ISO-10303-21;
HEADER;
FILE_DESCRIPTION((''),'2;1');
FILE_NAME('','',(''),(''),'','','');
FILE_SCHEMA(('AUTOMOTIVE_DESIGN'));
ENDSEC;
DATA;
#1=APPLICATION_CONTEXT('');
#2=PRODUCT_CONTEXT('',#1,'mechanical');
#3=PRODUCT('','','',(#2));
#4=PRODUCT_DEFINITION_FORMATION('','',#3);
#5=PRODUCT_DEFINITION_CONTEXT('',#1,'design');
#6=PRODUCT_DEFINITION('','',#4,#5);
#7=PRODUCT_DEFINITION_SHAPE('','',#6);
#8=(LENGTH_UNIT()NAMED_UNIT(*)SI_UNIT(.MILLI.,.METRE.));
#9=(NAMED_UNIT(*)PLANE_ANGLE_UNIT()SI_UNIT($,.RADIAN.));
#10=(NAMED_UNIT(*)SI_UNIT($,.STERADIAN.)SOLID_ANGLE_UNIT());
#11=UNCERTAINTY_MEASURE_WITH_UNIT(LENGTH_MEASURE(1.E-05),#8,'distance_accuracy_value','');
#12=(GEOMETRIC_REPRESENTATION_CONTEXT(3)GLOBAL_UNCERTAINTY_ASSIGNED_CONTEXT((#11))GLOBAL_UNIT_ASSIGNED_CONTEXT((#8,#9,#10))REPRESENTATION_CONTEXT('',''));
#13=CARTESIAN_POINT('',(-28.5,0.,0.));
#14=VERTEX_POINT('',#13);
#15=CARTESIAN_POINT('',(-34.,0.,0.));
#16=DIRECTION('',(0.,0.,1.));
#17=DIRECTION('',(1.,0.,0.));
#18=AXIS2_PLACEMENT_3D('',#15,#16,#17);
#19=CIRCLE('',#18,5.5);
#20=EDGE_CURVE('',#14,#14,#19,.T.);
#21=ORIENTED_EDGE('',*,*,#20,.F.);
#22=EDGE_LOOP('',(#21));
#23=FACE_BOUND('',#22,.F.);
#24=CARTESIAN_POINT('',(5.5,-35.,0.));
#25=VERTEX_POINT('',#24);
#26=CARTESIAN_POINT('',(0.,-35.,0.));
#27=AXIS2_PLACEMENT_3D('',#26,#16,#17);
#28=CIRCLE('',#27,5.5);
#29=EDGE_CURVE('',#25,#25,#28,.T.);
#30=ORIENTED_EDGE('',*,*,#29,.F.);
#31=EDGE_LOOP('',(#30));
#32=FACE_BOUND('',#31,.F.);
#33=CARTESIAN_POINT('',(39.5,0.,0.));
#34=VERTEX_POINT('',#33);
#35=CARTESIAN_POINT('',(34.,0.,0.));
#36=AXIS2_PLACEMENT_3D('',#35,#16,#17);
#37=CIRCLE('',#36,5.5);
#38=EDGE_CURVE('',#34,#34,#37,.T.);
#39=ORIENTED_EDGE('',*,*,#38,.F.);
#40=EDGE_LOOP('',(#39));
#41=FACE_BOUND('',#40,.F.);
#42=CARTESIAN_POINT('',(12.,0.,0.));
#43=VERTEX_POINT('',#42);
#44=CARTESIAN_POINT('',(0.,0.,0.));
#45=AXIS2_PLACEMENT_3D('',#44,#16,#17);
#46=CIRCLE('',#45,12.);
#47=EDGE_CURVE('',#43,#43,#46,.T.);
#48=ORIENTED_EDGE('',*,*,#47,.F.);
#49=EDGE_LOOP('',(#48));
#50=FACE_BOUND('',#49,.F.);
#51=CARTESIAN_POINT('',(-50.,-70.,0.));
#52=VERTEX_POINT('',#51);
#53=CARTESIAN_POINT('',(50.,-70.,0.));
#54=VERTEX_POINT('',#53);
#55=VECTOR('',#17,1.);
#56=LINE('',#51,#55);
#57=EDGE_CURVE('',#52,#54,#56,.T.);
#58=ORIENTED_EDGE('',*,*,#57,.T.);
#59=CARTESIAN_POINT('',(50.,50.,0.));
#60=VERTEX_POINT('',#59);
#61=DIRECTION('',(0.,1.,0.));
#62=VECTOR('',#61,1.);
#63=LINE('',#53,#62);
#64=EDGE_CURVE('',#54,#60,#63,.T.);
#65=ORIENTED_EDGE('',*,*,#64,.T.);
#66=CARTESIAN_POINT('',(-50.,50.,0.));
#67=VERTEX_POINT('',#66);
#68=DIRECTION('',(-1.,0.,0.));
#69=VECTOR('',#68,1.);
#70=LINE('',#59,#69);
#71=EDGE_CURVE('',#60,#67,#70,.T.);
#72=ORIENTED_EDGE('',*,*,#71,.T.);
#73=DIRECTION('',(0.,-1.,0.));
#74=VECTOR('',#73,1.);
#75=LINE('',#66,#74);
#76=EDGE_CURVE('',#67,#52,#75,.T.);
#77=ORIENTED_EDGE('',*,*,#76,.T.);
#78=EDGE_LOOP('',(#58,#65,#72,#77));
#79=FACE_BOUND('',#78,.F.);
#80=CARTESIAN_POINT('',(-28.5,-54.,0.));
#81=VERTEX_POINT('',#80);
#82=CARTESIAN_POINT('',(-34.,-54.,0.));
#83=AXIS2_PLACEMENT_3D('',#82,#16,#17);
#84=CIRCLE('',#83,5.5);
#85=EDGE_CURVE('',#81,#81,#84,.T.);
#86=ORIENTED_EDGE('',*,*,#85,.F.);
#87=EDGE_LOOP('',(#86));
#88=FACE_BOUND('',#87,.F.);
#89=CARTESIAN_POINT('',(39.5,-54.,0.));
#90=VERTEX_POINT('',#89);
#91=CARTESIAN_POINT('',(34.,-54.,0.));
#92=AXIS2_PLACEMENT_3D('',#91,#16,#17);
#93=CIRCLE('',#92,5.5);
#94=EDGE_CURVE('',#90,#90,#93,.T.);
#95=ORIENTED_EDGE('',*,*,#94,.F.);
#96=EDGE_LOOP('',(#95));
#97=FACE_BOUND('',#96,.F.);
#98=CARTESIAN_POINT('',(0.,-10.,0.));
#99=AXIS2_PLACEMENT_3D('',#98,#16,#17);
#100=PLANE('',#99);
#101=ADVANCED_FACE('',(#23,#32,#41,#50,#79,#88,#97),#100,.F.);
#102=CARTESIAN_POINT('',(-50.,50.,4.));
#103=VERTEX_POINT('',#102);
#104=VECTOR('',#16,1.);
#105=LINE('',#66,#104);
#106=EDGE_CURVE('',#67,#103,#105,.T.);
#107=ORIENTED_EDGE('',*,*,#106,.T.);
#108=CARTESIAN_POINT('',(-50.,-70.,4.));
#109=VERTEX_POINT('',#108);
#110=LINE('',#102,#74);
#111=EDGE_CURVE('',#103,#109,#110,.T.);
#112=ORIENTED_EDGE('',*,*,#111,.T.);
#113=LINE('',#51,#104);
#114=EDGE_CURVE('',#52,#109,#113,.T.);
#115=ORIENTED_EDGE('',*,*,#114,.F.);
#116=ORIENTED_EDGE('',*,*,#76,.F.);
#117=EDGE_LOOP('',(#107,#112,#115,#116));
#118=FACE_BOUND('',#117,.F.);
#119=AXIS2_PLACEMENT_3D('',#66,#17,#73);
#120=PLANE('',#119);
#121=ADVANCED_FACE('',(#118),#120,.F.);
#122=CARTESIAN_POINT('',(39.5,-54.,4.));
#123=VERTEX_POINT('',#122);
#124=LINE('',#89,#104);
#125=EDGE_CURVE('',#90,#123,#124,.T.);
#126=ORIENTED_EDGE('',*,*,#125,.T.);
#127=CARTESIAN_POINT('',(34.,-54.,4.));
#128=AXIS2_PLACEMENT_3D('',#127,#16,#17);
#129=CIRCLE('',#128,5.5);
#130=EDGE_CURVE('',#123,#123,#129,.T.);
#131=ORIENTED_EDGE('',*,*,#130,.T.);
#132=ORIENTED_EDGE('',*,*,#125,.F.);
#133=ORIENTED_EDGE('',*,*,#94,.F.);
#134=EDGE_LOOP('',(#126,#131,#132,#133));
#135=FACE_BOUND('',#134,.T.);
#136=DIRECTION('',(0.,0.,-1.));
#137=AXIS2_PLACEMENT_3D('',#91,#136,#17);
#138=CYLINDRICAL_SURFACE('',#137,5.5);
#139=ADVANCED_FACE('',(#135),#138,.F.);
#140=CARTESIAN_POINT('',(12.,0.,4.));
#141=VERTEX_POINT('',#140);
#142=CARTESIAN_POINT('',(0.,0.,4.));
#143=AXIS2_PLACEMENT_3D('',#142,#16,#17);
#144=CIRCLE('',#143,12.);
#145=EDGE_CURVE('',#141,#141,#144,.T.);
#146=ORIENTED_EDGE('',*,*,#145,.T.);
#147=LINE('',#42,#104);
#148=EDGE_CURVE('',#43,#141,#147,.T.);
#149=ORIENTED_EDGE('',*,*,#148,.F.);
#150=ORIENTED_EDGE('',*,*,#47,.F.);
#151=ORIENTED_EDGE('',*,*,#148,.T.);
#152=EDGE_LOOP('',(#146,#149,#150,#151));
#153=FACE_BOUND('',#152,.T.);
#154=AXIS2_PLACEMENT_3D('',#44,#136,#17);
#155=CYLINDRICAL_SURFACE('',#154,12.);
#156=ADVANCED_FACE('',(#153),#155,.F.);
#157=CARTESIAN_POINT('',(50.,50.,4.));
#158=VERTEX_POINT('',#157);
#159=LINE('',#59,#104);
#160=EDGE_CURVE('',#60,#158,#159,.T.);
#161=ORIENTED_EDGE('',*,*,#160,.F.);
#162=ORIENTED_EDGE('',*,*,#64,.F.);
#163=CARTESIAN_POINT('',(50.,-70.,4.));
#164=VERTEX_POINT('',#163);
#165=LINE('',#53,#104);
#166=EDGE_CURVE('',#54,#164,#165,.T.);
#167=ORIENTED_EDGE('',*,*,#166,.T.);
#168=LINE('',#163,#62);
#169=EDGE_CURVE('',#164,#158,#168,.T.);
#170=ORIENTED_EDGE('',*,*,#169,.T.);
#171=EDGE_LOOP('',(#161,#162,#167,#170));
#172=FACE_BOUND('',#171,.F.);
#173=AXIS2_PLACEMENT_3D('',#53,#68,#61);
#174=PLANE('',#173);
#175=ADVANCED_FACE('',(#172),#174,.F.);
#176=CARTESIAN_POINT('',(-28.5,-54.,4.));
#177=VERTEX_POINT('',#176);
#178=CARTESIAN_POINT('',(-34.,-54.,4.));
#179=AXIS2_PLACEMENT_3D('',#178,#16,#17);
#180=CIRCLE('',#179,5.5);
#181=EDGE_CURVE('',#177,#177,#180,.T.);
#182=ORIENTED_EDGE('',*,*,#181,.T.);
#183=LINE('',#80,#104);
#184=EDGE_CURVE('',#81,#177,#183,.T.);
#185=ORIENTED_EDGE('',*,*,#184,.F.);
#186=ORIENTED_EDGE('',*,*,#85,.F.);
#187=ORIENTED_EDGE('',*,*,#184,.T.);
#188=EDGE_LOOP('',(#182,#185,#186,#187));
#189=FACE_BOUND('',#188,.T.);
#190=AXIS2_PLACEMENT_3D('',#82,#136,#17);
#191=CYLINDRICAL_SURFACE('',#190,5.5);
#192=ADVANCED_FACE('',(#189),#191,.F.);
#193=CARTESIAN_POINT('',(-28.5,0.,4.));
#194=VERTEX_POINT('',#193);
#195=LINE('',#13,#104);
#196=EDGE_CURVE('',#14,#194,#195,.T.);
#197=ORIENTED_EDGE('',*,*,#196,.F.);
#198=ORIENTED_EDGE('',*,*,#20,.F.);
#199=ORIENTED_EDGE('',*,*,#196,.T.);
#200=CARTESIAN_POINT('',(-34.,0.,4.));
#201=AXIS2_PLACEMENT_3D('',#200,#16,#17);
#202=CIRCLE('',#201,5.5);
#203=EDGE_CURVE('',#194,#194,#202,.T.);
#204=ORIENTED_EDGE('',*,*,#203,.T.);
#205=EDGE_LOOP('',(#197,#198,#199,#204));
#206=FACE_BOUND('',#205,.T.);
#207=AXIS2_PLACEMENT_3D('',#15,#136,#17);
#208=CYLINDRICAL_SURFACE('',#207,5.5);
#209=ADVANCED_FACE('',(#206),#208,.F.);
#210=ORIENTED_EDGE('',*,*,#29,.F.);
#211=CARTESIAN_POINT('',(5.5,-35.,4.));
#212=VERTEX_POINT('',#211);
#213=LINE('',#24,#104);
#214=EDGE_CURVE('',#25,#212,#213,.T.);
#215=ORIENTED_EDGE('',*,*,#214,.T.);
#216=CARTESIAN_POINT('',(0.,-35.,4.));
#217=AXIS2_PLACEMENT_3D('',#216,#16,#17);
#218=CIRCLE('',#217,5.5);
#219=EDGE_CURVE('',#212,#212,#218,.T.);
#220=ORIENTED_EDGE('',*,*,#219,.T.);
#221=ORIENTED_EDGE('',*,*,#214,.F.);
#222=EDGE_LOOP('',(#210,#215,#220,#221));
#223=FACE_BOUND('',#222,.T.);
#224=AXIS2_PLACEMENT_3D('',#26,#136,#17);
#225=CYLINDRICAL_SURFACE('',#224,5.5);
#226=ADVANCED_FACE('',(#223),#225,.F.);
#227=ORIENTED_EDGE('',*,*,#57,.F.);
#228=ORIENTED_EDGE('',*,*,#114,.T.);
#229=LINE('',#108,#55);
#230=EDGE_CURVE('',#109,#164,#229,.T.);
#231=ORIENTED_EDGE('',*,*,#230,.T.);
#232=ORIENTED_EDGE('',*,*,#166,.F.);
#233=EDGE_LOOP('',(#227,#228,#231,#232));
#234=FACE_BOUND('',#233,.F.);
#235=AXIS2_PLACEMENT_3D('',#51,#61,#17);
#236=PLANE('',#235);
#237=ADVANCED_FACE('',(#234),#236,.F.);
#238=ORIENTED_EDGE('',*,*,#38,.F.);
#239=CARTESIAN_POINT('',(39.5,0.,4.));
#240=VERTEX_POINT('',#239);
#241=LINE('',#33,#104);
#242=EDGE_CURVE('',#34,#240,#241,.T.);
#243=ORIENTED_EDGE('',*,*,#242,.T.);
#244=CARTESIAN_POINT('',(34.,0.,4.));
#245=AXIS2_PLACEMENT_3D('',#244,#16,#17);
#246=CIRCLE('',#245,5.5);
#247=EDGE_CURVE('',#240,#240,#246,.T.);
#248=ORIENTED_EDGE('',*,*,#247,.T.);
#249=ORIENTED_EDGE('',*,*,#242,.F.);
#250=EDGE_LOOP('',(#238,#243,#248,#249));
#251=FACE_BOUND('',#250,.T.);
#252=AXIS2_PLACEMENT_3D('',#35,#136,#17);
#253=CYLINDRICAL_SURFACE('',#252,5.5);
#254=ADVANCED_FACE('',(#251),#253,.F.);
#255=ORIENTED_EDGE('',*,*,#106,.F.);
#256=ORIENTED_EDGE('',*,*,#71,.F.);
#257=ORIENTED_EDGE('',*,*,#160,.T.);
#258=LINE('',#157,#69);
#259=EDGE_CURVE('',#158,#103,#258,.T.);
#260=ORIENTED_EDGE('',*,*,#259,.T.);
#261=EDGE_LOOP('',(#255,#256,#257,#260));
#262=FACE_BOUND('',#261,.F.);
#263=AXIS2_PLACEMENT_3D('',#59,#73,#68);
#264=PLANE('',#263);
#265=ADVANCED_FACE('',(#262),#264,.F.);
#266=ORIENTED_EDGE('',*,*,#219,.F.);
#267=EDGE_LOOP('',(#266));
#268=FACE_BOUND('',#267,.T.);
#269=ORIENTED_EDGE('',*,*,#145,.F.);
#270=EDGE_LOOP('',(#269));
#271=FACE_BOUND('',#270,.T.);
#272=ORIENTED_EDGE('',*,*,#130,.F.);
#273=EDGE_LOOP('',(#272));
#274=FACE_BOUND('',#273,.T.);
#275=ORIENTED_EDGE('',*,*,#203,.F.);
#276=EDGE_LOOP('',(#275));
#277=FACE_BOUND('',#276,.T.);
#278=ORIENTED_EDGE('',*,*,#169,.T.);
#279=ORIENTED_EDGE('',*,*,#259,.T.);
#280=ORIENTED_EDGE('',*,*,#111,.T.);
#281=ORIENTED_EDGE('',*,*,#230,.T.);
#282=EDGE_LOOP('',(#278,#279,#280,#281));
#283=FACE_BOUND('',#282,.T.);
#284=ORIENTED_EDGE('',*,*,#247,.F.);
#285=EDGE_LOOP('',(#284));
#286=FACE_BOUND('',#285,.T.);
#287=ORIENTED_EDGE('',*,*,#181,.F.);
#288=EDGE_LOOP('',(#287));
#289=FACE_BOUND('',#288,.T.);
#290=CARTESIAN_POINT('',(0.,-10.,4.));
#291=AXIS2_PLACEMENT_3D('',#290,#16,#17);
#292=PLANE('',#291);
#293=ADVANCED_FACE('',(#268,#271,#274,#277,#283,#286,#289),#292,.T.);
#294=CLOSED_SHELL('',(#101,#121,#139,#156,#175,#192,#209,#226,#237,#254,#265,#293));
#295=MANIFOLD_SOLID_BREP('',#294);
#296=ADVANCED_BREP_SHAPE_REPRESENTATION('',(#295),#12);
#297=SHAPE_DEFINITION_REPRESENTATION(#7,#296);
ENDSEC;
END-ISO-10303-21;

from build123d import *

# Parameters (mm, degrees)
F0_R     = 5.5
F0_R_2   = 12
F1_DEPTH = 4


with BuildPart() as f1:
    # F0 (on Top) → F1 (new body)
    with BuildSketch(Plane.XY):
        Polygon((50, 50), (0, 50), (-50, 50), (-50, -70), (0, -70), (50, -70), align=None)
        with Locations((-34, -54)):
            Circle(F0_R, mode=Mode.SUBTRACT)
        with Locations((34, -54)):
            Circle(F0_R, mode=Mode.SUBTRACT)
        with Locations((0, -35)):
            Circle(F0_R, mode=Mode.SUBTRACT)
        with Locations((-34, 0)):
            Circle(F0_R, mode=Mode.SUBTRACT)
        Circle(F0_R_2, mode=Mode.SUBTRACT)
        with Locations((34, 0)):
            Circle(F0_R, mode=Mode.SUBTRACT)
    extrude(amount=F1_DEPTH)


solid = f1.part
